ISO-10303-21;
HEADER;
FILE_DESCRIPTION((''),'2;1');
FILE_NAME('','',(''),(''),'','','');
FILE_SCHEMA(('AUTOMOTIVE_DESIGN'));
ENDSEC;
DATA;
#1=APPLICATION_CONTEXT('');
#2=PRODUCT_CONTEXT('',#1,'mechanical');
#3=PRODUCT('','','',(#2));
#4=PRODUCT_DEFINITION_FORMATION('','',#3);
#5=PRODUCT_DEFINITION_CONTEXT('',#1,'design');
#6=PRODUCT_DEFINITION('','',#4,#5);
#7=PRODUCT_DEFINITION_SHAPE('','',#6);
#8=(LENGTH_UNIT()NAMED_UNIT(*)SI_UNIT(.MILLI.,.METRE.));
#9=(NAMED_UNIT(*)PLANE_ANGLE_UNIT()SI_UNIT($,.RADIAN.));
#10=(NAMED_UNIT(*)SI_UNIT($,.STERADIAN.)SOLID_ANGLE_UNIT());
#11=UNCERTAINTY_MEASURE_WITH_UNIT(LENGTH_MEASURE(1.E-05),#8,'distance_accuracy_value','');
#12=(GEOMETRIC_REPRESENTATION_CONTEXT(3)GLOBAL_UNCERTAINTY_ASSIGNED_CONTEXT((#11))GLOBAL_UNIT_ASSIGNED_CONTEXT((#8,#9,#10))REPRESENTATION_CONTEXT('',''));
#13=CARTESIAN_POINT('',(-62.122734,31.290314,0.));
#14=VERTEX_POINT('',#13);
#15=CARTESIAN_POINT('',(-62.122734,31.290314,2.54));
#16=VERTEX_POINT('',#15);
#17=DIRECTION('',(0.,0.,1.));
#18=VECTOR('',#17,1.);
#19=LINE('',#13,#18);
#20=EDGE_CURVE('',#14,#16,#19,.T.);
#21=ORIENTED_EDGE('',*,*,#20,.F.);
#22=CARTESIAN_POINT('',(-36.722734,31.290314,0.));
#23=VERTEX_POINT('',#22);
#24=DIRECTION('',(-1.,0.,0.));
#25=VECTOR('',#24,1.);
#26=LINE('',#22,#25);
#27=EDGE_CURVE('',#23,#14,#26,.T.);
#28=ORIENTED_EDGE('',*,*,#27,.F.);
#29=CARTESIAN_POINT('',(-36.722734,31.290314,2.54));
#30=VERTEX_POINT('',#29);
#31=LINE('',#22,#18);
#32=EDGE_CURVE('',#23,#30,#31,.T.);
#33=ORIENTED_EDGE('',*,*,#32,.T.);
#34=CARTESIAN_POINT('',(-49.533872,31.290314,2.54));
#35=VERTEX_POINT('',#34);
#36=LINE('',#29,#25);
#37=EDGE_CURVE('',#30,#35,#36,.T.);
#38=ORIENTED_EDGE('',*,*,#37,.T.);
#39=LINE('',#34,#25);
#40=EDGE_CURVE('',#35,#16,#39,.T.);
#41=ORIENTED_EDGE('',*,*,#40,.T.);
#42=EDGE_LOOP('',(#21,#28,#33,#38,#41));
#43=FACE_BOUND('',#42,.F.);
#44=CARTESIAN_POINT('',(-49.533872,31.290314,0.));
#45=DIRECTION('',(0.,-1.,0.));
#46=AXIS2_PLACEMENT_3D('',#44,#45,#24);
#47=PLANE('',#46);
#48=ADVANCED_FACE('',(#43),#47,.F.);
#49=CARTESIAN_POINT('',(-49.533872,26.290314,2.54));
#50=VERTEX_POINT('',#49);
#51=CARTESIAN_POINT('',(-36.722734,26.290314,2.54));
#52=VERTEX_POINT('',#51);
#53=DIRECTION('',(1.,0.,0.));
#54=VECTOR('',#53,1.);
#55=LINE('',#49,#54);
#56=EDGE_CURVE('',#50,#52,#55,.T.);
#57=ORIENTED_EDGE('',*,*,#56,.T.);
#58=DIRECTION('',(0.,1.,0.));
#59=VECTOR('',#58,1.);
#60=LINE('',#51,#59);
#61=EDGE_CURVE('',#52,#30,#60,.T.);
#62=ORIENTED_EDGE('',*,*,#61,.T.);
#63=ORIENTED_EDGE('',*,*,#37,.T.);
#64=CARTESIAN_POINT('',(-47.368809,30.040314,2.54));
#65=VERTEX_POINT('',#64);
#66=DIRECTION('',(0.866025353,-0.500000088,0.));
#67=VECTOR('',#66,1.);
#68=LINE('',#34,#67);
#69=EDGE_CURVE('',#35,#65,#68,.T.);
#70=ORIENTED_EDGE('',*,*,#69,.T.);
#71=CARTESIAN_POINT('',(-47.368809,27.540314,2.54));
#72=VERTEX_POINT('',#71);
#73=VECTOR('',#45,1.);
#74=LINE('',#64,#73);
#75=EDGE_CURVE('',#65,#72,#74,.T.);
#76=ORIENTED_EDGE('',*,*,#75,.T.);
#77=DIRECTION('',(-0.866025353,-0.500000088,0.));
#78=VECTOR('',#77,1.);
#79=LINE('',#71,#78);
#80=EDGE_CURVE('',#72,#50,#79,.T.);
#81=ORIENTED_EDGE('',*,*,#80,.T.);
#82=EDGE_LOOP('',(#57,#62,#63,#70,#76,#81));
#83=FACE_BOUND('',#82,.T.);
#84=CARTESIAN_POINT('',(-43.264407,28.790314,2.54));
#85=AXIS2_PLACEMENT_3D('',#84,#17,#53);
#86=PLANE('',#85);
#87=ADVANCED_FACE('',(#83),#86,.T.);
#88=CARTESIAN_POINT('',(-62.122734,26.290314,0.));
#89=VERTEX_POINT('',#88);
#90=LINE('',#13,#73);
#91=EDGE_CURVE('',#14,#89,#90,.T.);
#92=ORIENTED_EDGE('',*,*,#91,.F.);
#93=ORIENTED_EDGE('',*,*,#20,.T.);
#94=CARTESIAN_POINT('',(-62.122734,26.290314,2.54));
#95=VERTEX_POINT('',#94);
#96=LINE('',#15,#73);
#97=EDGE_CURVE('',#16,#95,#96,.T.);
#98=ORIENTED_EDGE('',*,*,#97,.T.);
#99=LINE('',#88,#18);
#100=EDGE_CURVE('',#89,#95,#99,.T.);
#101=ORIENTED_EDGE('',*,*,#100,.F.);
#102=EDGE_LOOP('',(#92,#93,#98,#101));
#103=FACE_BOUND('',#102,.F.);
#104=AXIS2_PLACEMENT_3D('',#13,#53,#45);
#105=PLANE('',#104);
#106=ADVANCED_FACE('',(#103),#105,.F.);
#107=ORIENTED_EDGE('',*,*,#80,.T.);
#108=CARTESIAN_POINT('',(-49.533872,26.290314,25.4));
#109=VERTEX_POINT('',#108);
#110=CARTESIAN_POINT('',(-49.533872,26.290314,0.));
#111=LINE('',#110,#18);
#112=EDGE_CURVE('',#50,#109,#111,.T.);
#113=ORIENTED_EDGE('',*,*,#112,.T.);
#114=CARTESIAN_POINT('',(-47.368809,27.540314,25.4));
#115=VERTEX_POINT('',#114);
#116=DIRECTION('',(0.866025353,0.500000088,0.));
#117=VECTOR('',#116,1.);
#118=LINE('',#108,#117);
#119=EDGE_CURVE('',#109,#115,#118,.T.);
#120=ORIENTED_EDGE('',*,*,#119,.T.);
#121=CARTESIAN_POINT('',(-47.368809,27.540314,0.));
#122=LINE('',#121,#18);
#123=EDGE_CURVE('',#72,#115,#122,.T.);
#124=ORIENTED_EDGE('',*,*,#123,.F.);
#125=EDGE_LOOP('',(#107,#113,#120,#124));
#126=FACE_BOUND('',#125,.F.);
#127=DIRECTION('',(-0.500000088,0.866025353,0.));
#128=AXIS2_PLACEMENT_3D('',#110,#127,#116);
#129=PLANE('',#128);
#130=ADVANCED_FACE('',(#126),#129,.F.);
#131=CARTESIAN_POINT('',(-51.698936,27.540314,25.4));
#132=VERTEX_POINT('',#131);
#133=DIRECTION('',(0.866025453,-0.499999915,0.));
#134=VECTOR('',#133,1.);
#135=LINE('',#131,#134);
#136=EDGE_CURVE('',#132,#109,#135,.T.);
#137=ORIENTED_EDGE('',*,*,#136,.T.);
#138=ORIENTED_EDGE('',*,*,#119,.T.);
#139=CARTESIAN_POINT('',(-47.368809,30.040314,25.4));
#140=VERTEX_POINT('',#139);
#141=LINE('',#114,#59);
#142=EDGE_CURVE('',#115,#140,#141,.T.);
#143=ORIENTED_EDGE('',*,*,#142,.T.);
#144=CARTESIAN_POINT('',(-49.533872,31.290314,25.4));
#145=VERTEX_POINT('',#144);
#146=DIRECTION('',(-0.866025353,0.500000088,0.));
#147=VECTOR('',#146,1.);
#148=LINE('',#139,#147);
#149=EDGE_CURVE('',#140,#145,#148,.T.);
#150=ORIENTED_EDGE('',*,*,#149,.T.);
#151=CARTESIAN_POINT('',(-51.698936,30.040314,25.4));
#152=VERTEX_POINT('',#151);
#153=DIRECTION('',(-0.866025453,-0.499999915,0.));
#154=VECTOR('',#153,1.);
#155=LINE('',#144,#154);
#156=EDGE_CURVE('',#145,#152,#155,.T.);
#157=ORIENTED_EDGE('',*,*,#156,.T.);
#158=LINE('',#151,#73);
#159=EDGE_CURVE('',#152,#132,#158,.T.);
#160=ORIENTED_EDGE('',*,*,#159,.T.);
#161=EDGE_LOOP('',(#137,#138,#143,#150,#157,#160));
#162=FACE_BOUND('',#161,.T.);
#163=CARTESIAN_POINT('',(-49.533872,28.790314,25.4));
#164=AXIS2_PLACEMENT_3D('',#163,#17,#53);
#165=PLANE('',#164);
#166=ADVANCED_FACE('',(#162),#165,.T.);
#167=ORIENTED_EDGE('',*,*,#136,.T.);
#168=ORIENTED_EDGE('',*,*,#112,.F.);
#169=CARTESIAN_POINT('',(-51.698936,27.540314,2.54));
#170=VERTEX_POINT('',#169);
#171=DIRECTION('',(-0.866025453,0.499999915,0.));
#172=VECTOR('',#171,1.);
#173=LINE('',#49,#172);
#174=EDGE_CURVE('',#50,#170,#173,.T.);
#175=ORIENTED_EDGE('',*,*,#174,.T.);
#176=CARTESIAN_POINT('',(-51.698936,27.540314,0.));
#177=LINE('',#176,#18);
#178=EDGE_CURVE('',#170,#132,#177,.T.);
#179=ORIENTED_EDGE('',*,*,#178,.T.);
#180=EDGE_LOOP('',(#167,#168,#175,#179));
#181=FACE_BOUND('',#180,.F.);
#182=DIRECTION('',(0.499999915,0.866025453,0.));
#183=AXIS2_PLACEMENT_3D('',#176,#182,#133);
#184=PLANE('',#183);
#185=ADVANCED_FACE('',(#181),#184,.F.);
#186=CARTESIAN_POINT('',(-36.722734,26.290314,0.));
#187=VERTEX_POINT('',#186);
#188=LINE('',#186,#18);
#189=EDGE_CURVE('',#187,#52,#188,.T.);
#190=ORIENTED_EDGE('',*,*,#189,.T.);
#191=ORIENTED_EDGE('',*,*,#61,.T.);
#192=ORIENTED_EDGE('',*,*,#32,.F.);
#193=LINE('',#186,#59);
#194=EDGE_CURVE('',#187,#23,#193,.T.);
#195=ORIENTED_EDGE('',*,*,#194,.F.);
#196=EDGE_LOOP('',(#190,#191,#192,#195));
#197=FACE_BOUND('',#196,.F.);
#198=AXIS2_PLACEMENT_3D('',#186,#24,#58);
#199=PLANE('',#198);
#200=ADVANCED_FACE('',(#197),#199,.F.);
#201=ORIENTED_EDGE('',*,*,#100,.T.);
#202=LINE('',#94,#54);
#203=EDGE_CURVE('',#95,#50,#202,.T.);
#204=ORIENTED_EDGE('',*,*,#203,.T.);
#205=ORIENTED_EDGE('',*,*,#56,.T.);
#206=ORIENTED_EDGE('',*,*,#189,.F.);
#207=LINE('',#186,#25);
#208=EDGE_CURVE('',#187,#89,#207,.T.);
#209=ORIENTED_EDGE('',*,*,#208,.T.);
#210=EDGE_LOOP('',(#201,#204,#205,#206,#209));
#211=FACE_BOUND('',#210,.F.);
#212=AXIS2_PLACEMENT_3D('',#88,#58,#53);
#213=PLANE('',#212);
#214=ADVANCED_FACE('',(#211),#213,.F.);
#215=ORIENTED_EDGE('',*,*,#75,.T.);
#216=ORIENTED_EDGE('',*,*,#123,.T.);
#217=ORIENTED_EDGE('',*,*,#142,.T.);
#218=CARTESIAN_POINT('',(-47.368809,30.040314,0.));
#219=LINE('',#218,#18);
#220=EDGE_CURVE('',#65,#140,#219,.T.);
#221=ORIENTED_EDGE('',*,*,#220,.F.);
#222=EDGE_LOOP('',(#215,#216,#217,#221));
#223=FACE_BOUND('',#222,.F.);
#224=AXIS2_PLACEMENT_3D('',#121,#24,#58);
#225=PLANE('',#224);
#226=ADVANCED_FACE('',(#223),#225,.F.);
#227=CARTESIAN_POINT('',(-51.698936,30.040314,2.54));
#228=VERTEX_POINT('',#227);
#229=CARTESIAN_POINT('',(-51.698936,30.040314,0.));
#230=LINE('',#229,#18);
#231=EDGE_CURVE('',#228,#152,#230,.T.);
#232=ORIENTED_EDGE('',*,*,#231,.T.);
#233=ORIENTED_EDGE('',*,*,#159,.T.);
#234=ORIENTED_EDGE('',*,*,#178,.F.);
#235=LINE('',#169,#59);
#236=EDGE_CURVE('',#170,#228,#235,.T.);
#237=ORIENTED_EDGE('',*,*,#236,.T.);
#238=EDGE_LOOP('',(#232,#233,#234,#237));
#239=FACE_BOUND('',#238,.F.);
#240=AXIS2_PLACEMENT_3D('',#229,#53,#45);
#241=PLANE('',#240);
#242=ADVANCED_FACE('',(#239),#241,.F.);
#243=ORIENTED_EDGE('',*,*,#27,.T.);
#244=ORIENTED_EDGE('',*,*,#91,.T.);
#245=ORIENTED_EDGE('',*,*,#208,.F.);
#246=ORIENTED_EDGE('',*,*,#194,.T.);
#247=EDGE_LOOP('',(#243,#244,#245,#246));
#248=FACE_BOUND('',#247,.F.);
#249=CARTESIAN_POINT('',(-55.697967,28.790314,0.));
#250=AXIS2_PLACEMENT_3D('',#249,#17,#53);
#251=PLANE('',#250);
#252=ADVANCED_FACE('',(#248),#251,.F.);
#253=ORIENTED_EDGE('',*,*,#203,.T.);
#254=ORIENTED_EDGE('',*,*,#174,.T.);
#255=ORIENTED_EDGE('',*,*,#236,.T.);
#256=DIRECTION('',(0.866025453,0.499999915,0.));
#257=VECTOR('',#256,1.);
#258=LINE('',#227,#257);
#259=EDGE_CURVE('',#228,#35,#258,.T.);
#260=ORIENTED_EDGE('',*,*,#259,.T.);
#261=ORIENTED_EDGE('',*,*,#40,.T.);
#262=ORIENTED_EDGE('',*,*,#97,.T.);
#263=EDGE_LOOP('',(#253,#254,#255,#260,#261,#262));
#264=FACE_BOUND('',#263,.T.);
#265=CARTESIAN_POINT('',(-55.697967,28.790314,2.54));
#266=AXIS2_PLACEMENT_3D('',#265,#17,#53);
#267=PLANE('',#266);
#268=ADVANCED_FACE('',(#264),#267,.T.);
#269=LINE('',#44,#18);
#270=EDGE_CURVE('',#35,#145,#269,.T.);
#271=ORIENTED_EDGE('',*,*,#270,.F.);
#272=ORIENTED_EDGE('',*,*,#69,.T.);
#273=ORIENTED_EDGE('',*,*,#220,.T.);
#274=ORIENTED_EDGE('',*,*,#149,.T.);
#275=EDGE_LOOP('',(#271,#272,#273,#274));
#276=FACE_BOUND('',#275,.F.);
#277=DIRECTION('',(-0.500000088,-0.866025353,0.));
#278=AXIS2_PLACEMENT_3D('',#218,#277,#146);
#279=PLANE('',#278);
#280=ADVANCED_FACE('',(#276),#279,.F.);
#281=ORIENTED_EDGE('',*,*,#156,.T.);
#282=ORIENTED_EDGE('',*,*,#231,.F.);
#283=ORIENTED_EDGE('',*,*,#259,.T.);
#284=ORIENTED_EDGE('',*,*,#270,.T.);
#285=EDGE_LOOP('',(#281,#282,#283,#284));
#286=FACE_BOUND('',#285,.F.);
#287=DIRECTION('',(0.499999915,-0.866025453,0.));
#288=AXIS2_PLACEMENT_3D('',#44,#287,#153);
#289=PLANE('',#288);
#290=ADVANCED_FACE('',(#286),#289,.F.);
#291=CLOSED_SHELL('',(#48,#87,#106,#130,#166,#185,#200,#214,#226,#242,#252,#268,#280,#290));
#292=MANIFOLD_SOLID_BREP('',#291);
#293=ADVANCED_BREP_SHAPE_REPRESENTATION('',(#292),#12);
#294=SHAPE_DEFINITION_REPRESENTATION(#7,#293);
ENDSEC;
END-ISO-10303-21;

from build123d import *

# Parameters (mm, degrees)
F1_DEPTH = 25.4
F2_DEPTH = 2.54


with BuildPart() as f1:
    # F0 (on Top) → F1 (new body)
    with BuildSketch(Plane.XY):
        Polygon((-47.368809, 30.040314), (-49.533872, 31.290314), (-51.698936, 30.040314), (-51.698936, 27.540314), (-49.533872, 26.290314), (-47.368809, 27.540314), align=None)
    extrude(amount=F1_DEPTH)

    # F0 (on Top) → F2 (join)
    with BuildSketch(Plane.XY):
        Polygon((-49.533872, 31.290314), (-62.122734, 31.290314), (-62.122734, 26.290314), (-49.533872, 26.290314), (-51.698936, 27.540314), (-51.698936, 30.040314), align=None)
        Polygon((-36.722734, 31.290314), (-49.533872, 31.290314), (-47.368809, 30.040314), (-47.368809, 27.540314), (-49.533872, 26.290314), (-36.722734, 26.290314), align=None)
    extrude(amount=F2_DEPTH)


solid = f1.part
